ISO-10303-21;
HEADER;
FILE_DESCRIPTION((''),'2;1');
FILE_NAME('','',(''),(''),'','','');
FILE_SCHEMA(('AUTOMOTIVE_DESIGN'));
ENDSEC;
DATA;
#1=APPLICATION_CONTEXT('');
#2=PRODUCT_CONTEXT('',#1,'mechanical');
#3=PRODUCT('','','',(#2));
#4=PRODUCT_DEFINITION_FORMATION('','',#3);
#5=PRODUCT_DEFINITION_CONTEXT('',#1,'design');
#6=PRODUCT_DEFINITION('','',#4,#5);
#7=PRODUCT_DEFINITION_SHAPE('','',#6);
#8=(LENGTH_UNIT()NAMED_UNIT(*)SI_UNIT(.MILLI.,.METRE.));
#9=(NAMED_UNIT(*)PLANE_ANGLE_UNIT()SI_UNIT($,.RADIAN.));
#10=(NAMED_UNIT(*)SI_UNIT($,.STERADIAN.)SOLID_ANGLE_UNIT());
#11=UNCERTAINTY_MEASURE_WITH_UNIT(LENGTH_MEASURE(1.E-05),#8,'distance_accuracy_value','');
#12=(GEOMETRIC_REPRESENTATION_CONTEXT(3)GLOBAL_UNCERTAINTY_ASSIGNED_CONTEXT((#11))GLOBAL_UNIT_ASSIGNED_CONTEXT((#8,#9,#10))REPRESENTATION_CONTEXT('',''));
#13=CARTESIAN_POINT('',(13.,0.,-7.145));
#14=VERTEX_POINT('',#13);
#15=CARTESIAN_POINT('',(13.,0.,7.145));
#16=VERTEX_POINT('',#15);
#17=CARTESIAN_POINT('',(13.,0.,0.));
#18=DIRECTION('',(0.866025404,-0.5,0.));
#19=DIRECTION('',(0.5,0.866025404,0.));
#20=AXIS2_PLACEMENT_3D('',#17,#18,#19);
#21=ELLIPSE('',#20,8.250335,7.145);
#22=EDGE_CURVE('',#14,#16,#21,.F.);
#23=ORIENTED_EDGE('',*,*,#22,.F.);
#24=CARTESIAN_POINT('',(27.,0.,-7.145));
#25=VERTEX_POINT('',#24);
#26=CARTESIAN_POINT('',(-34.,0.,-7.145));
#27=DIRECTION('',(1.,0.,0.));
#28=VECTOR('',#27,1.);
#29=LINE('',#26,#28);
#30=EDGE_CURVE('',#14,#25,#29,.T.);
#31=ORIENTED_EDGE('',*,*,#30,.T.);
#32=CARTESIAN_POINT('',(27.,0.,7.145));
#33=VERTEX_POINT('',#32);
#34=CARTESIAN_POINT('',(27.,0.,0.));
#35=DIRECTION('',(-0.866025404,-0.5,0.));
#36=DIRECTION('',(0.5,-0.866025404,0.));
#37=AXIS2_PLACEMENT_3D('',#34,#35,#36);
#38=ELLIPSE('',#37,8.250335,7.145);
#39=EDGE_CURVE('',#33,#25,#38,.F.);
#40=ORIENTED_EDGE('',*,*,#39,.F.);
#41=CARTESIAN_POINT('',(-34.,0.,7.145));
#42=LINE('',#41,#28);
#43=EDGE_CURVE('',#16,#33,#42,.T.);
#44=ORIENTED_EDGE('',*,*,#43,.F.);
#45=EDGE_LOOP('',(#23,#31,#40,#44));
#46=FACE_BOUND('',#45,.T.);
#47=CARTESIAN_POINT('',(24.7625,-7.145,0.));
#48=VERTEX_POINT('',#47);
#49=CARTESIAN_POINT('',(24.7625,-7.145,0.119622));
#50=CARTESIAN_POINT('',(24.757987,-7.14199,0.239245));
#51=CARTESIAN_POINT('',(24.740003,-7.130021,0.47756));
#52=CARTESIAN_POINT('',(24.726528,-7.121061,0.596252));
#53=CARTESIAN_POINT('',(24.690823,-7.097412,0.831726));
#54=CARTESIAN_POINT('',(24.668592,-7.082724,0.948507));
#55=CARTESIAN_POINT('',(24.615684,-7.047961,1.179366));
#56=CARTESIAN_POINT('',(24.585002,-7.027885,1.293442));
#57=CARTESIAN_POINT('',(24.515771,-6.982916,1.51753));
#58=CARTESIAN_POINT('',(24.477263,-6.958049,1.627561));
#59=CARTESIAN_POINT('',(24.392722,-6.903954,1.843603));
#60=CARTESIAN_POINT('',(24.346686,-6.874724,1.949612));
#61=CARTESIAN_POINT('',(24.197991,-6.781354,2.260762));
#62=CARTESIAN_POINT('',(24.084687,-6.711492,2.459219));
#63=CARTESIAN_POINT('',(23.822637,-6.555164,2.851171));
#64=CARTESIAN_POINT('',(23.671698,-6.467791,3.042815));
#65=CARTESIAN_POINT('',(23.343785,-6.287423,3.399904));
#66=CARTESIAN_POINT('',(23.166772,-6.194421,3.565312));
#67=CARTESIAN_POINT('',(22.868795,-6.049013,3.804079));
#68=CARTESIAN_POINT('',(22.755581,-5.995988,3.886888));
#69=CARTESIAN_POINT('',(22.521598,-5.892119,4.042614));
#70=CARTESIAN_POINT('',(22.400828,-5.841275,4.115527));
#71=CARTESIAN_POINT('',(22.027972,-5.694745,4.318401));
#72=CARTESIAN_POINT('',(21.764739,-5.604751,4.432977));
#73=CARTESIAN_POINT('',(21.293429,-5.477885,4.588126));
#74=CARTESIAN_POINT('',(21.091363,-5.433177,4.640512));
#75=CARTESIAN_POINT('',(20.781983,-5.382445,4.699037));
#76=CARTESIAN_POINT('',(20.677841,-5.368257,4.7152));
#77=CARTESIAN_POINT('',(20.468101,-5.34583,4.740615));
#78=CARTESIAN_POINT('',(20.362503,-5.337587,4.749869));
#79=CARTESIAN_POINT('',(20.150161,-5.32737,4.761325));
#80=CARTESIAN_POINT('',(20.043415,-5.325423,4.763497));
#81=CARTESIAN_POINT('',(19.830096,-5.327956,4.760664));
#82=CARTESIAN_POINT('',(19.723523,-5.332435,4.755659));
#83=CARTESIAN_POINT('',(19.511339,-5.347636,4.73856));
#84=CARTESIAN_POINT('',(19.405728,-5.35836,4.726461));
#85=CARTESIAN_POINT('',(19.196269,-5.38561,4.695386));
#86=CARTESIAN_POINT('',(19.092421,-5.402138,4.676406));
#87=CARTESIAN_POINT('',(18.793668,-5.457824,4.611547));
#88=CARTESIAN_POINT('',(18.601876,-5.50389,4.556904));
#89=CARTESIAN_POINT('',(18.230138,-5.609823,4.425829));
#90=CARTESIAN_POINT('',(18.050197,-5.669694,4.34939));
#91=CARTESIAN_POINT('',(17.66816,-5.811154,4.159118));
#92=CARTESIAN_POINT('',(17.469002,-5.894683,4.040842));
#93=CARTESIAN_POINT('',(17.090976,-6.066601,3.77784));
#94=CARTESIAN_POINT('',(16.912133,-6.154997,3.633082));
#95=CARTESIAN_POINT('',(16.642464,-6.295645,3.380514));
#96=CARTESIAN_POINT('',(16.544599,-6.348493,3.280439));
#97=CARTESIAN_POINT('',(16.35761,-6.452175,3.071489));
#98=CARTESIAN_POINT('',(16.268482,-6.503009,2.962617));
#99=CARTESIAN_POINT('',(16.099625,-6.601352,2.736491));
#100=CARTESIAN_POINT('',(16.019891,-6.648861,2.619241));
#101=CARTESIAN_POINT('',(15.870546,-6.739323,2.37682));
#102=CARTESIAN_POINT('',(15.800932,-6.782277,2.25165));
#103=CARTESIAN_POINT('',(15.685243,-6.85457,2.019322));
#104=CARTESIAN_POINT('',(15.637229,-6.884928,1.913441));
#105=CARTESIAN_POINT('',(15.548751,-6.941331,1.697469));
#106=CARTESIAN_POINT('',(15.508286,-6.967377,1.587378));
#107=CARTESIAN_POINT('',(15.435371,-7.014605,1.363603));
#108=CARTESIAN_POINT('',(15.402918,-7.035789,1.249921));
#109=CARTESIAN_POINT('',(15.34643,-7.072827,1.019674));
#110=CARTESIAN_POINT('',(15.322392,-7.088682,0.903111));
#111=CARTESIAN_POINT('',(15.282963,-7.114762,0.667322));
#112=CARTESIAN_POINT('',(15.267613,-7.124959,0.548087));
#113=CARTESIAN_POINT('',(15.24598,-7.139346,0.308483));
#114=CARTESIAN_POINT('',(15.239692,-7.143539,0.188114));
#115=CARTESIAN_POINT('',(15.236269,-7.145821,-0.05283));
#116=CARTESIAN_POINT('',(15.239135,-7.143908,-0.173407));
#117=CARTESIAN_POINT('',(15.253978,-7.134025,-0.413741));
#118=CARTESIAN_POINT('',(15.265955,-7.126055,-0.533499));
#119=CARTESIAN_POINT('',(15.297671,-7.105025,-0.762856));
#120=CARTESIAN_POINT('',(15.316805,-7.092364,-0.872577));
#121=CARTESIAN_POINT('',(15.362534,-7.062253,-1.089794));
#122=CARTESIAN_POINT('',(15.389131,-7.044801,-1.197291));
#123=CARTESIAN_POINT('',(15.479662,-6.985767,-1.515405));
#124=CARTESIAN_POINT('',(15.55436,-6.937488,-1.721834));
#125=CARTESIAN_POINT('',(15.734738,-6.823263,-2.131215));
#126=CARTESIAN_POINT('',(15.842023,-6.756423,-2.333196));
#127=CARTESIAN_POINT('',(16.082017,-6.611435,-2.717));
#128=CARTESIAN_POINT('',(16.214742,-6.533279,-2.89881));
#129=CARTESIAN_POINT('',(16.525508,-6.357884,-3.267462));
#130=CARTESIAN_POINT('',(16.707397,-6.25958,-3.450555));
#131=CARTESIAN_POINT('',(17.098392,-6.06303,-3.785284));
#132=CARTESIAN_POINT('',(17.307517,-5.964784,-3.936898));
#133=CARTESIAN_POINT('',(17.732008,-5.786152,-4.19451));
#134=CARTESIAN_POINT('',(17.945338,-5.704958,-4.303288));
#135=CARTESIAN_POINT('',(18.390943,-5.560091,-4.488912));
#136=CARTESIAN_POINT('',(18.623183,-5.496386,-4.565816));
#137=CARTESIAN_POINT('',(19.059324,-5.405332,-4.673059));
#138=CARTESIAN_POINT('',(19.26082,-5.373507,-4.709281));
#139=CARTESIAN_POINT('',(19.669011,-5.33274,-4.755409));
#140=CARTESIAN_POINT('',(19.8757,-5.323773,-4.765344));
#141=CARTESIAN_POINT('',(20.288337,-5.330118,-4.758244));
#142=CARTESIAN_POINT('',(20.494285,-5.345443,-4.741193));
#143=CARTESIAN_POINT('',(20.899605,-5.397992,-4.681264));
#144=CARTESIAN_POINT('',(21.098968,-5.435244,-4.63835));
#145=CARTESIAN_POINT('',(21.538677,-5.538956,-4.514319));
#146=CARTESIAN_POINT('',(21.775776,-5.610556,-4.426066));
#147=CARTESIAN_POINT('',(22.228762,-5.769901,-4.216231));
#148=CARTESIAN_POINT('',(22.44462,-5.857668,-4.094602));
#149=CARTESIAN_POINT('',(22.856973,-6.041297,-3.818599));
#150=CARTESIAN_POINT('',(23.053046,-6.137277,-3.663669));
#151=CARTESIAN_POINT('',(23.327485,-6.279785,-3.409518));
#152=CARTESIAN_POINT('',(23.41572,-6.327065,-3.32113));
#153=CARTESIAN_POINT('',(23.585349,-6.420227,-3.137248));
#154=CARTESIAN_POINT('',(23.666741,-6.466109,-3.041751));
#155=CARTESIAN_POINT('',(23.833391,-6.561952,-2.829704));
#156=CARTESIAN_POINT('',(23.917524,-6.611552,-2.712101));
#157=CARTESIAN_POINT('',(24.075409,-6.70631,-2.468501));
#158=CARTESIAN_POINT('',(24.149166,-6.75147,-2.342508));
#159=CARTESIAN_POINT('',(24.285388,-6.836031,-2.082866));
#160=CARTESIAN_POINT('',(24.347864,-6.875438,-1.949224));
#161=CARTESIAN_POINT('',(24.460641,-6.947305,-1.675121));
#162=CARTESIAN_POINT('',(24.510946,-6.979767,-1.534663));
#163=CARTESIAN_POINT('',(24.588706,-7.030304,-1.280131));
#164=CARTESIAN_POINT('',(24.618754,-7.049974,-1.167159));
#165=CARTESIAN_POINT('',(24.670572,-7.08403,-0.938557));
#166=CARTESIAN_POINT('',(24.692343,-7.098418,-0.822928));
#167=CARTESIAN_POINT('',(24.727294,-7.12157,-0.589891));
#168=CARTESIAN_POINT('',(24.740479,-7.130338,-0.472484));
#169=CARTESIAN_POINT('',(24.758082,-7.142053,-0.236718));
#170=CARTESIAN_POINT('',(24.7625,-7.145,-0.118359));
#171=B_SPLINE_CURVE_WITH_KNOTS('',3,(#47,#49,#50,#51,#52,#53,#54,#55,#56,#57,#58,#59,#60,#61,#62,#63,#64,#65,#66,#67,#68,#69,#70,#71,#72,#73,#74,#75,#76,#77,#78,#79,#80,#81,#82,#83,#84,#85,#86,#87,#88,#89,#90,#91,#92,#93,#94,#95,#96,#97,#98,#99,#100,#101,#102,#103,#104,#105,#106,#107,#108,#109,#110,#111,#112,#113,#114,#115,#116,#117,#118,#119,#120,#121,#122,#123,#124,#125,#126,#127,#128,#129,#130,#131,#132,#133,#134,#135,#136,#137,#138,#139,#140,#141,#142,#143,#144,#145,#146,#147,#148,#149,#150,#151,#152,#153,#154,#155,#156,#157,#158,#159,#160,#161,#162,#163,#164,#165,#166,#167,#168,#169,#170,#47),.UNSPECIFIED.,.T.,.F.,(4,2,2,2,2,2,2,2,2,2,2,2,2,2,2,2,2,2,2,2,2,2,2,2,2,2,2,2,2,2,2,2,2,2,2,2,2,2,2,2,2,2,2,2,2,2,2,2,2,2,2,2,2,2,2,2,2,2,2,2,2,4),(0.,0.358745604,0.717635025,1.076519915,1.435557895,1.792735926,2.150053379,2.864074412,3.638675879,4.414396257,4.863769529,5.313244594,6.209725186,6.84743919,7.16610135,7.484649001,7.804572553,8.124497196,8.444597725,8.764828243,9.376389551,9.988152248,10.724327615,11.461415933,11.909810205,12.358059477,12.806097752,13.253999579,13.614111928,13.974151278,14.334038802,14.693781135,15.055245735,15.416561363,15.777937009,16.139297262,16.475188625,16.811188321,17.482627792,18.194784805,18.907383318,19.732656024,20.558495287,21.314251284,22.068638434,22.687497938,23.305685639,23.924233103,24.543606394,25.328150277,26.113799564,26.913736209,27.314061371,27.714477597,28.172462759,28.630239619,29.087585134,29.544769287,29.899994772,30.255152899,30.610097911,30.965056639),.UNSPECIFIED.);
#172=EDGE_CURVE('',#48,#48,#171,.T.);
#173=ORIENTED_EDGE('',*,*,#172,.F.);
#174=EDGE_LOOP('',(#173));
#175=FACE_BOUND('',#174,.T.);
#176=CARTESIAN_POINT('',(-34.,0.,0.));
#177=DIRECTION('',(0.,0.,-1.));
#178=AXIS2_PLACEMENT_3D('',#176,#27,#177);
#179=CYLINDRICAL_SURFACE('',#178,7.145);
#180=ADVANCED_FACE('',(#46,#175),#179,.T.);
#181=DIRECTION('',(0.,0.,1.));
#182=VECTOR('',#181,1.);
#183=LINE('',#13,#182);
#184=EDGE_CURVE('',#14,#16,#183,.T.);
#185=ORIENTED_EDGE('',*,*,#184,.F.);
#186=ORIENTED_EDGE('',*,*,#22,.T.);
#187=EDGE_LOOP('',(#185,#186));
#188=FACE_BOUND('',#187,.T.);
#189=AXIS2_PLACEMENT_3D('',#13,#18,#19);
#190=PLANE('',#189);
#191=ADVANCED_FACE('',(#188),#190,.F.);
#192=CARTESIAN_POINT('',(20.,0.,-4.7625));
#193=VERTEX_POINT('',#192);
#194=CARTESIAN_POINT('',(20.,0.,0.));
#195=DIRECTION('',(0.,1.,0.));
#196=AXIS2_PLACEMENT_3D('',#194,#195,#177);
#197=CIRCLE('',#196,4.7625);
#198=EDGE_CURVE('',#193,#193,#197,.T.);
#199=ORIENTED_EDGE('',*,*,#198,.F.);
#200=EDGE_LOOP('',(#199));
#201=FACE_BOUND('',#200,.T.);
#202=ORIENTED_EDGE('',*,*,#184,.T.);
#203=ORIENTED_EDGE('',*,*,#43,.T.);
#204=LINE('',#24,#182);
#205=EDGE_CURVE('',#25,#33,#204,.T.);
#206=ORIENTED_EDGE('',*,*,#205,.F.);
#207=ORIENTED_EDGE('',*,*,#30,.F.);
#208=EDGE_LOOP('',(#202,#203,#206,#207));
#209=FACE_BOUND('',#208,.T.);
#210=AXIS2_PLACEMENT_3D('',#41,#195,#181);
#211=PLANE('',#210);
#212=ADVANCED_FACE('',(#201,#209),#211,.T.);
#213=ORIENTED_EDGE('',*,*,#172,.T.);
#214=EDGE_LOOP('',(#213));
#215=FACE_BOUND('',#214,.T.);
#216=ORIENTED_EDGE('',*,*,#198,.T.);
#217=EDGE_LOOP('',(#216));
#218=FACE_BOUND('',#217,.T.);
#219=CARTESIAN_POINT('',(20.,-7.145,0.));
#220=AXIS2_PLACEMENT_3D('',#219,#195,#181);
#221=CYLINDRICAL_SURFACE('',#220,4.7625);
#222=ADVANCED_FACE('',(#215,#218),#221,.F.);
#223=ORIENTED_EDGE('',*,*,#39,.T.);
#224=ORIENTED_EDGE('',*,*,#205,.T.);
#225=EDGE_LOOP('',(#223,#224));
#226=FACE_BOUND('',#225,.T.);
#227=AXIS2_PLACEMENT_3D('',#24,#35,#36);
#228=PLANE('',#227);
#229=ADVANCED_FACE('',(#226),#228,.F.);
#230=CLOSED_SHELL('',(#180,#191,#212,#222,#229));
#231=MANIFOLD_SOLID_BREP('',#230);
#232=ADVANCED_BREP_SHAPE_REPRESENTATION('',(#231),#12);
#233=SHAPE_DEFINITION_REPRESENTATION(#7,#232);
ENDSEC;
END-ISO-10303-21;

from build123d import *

# Parameters (mm, degrees)
BOSS_EXTRUDE3_DEPTH      = 34
BOSS_EXTRUDE3_DEPTH_BACK = 34
SKETCH1_R                = 4.7625
CUT_EXTRUDE1_DEPTH       = 36.469734281
CUT_EXTRUDE3_DEPTH       = 36.46973442
CUT_EXTRUDE3_DEPTH_BACK  = 36.46973442


with BuildPart() as part:
    # Sketch2 → Boss-Extrude3 (new, two sides: drawn at the far end of the back side and taken through both)
    with BuildSketch(Plane(origin=(0, 0, 0), x_dir=(0, 0, -1), z_dir=(1, 0, 0)).offset(-BOSS_EXTRUDE3_DEPTH_BACK)):
        with BuildLine():
            Line((-7.145, 0), (7.145, 0))
            ThreePointArc((7.145, 0), (0, -7.145), (-7.145, 0))
        make_face()
    extrude(amount=BOSS_EXTRUDE3_DEPTH + BOSS_EXTRUDE3_DEPTH_BACK)

    # Sketch1 → Cut-Extrude1 (cut, through all)
    with BuildSketch(Plane(origin=(0, 0, 0), x_dir=(1, 0, 0), z_dir=(0, 1, 0))):
        with Locations((-20, 0)):
            Circle(SKETCH1_R)
        with Locations((20, 0)):
            Circle(SKETCH1_R)
    extrude(amount=-CUT_EXTRUDE1_DEPTH, mode=Mode.SUBTRACT)

    # Sketch4 → Cut-Extrude3 (cut, two sides: drawn at the far end of the back side and taken through both)
    with BuildSketch(Plane.XY.offset(-CUT_EXTRUDE3_DEPTH_BACK)):
        Polygon((-13, 0), (13, 0), (7.803847577, -9), (-7.803847577, -9), align=None)
        Polygon((32.196152423, -9), (43.216463998, -9), (43.216463998, 0), (27, 0), align=None)
        Polygon((-43.216463998, 0), (-27, 0), (-32.196152423, -9), (-43.216463998, -9), align=None)
    extrude(amount=CUT_EXTRUDE3_DEPTH + CUT_EXTRUDE3_DEPTH_BACK, mode=Mode.SUBTRACT)


with BuildPart() as cut_extrude3_piece_1:
    # of the separate pieces the step leaves, piece 1, a body of its own (cut_extrude3_pieces)
    add(part.part.solids().sort_by_distance((-27, 0, 7.145))[0])


with BuildPart() as cut_extrude3_piece_2:
    # of the separate pieces the step leaves, piece 2, a body of its own (cut_extrude3_pieces)
    add(part.part.solids().sort_by_distance((13, 0, 7.145))[0])


solid = cut_extrude3_piece_2.part
